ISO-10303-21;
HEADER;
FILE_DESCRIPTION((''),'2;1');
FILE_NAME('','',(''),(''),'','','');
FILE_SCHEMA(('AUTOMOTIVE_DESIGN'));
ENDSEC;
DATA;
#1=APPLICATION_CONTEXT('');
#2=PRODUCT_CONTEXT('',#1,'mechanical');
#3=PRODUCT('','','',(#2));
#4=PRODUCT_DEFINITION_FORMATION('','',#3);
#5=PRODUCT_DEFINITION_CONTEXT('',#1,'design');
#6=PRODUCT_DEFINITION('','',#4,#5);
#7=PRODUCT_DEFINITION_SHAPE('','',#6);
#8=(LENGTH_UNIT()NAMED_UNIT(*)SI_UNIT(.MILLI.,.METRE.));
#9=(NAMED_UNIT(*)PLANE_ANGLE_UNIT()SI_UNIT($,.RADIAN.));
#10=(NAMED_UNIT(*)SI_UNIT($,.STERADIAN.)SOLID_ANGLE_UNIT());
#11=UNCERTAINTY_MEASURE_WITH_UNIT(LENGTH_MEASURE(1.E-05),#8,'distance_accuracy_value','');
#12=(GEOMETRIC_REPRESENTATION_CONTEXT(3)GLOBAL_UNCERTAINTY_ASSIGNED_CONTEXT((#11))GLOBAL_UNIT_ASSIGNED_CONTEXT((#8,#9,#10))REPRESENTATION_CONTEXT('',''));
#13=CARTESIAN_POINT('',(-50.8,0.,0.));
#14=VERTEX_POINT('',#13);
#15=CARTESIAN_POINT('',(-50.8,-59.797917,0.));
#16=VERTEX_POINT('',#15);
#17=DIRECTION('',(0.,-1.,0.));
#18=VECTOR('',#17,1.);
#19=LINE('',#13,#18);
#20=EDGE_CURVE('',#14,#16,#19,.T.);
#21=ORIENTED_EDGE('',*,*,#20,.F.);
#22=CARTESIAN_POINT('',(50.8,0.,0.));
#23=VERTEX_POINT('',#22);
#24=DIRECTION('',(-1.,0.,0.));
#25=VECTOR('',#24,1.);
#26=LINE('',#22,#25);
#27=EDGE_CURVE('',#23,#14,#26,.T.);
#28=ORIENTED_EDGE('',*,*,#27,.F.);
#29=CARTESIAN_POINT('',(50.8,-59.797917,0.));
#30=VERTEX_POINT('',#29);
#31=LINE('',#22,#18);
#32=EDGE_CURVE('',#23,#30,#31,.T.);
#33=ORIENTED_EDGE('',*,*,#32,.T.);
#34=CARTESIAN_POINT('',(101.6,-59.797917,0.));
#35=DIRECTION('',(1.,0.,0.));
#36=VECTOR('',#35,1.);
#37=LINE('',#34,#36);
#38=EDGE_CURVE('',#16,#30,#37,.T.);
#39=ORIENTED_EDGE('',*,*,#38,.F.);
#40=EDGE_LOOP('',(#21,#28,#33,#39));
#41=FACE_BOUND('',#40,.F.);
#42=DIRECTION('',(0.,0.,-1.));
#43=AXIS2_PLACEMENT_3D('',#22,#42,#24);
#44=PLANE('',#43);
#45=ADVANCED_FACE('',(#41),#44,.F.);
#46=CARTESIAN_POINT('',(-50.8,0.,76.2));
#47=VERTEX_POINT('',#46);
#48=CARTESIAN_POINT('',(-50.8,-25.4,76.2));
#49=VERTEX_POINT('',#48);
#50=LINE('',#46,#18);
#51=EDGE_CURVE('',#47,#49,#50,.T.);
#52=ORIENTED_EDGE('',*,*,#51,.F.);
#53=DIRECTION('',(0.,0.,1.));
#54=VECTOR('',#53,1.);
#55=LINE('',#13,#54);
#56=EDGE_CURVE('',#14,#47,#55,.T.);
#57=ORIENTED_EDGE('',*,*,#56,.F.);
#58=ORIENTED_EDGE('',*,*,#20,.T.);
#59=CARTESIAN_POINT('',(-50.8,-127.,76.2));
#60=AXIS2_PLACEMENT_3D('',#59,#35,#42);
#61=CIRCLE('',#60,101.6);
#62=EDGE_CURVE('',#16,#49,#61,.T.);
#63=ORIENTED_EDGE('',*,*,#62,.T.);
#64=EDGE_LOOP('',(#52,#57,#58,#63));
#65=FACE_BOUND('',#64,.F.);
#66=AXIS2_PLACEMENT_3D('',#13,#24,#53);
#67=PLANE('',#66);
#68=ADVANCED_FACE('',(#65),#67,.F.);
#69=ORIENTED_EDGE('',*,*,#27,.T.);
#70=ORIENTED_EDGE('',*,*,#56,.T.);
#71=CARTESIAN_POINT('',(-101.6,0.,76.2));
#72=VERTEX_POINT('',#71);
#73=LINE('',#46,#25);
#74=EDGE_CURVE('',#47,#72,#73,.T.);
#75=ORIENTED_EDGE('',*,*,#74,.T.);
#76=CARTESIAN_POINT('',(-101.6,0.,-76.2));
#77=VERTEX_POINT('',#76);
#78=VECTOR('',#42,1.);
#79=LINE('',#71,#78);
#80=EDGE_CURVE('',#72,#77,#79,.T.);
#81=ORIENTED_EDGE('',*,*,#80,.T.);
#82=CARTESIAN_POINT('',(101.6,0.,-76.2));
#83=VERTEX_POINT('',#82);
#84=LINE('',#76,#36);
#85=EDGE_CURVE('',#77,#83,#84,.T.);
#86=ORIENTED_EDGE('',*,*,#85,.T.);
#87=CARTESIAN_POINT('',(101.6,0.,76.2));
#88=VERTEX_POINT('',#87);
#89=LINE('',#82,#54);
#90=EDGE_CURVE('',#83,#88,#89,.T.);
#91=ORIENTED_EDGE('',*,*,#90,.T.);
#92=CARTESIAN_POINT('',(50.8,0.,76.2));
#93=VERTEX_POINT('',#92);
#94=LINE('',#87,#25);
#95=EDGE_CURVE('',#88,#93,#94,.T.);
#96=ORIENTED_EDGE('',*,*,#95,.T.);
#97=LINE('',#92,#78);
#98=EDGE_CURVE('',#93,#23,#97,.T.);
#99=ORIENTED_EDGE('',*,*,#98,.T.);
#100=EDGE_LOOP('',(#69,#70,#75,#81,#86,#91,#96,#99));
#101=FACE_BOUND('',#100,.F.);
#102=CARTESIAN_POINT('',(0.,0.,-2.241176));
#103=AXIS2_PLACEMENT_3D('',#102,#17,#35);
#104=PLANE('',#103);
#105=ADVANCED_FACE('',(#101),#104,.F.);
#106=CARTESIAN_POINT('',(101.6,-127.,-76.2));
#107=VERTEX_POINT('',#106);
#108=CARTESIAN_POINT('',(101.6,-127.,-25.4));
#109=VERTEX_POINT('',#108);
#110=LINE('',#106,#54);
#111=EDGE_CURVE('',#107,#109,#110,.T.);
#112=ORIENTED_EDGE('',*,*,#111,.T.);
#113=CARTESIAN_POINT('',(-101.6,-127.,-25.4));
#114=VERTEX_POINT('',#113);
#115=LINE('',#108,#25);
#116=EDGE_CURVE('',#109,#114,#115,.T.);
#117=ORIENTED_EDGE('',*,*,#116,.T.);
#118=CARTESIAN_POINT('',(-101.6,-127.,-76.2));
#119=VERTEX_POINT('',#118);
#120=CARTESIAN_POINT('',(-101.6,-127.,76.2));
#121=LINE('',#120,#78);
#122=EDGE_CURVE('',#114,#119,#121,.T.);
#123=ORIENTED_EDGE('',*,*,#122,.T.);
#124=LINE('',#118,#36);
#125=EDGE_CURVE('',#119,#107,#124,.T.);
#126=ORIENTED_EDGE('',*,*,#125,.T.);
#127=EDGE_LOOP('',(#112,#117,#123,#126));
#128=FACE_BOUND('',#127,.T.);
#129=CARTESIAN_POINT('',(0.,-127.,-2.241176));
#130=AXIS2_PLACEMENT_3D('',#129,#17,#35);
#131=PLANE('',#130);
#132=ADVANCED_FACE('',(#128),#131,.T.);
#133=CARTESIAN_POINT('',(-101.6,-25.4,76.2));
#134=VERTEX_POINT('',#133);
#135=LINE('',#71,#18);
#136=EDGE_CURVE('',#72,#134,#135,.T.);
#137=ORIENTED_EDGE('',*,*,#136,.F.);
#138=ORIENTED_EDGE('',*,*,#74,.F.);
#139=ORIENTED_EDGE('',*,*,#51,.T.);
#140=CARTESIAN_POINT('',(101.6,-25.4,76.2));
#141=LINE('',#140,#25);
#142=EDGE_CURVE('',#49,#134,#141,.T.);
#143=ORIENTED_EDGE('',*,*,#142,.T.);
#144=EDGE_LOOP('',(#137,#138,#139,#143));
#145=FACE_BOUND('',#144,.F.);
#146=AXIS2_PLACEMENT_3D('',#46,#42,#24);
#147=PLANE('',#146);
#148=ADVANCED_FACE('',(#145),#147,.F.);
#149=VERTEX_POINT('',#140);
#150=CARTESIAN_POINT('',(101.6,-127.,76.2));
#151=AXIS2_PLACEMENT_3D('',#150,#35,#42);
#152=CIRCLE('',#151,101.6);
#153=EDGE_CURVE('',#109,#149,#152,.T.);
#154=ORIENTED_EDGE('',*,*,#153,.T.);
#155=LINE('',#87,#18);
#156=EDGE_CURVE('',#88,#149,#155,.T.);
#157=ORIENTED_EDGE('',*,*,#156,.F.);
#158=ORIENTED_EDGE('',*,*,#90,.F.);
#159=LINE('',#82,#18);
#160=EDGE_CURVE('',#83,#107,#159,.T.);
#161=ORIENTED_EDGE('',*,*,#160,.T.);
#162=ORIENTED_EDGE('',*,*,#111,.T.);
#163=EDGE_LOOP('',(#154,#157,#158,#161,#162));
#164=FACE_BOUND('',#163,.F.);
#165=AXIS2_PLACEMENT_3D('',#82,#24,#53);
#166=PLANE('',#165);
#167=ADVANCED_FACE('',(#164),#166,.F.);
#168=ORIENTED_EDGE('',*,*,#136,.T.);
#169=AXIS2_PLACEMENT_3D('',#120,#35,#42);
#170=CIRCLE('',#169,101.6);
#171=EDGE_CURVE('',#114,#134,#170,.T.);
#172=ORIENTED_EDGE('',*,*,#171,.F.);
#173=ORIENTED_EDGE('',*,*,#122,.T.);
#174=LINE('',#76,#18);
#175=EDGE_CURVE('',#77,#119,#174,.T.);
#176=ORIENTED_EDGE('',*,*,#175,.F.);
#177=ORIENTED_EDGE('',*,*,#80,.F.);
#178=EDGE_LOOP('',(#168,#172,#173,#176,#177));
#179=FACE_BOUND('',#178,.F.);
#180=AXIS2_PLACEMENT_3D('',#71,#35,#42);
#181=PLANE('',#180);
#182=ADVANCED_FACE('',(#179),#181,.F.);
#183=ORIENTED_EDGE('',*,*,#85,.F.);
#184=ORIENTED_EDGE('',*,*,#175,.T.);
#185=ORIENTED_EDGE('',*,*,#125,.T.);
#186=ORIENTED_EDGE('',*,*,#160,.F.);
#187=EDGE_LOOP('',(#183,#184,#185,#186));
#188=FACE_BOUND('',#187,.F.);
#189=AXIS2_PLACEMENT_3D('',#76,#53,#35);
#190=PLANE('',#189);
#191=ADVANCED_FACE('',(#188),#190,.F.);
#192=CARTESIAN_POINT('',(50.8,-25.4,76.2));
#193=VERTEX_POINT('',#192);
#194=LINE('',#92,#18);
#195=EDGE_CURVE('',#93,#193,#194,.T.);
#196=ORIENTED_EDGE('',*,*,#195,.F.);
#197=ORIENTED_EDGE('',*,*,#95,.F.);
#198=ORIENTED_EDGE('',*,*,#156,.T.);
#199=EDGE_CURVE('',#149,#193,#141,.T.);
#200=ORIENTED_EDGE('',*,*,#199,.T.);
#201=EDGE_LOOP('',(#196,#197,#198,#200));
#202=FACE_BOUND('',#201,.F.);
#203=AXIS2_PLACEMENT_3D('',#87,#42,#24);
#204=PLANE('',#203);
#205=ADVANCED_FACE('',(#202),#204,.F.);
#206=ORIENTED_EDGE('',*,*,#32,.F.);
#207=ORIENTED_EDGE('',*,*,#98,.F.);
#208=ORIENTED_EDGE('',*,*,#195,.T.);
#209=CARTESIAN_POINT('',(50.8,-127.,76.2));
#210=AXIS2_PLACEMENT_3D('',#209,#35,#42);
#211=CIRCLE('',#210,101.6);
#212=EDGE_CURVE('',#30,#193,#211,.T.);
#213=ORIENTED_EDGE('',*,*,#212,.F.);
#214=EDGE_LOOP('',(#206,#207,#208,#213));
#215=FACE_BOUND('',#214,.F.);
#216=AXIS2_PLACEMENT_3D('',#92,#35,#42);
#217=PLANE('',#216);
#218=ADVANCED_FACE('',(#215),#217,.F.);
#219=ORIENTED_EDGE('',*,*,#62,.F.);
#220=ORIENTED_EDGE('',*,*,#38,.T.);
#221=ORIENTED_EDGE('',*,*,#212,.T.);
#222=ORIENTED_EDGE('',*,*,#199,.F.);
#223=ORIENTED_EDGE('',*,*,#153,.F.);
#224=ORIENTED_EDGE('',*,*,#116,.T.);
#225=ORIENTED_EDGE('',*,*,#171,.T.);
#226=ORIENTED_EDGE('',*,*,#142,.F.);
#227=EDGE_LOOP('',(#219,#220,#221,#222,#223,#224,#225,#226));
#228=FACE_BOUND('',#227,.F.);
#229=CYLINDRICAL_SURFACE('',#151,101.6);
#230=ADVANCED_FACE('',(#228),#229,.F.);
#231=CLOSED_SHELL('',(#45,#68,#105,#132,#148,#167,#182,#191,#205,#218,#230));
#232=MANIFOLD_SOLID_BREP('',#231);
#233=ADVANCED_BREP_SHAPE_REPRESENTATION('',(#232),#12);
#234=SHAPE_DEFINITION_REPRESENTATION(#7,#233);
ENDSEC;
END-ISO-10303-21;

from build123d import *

# Parameters (mm, degrees)
F1_DEPTH = 127
F3_DEPTH = 203.201


with BuildPart() as f1:
    # F0 (on Front) → F1 (new body)
    with BuildSketch(Plane.XZ):
        Polygon((101.6, -76.2), (101.6, 76.2), (50.8, 76.2), (50.8, 0), (-50.8, 0), (-50.8, 76.2), (-101.6, 76.2), (-101.6, -76.2), align=None)
    extrude(amount=F1_DEPTH)

    # F2 (on face) → F3 (cut, through all)
    with BuildSketch(Plane.YZ.offset(101.6)):
        with BuildLine():
            ThreePointArc((-127, -25.4), (-55.1579510314, 4.3579510314), (-25.4, 76.2))
            Line((-25.4, 76.2), (-127, 76.2))
            Line((-127, 76.2), (-127, -25.4))
        make_face()
    extrude(amount=-F3_DEPTH, mode=Mode.SUBTRACT)


solid = f1.part
